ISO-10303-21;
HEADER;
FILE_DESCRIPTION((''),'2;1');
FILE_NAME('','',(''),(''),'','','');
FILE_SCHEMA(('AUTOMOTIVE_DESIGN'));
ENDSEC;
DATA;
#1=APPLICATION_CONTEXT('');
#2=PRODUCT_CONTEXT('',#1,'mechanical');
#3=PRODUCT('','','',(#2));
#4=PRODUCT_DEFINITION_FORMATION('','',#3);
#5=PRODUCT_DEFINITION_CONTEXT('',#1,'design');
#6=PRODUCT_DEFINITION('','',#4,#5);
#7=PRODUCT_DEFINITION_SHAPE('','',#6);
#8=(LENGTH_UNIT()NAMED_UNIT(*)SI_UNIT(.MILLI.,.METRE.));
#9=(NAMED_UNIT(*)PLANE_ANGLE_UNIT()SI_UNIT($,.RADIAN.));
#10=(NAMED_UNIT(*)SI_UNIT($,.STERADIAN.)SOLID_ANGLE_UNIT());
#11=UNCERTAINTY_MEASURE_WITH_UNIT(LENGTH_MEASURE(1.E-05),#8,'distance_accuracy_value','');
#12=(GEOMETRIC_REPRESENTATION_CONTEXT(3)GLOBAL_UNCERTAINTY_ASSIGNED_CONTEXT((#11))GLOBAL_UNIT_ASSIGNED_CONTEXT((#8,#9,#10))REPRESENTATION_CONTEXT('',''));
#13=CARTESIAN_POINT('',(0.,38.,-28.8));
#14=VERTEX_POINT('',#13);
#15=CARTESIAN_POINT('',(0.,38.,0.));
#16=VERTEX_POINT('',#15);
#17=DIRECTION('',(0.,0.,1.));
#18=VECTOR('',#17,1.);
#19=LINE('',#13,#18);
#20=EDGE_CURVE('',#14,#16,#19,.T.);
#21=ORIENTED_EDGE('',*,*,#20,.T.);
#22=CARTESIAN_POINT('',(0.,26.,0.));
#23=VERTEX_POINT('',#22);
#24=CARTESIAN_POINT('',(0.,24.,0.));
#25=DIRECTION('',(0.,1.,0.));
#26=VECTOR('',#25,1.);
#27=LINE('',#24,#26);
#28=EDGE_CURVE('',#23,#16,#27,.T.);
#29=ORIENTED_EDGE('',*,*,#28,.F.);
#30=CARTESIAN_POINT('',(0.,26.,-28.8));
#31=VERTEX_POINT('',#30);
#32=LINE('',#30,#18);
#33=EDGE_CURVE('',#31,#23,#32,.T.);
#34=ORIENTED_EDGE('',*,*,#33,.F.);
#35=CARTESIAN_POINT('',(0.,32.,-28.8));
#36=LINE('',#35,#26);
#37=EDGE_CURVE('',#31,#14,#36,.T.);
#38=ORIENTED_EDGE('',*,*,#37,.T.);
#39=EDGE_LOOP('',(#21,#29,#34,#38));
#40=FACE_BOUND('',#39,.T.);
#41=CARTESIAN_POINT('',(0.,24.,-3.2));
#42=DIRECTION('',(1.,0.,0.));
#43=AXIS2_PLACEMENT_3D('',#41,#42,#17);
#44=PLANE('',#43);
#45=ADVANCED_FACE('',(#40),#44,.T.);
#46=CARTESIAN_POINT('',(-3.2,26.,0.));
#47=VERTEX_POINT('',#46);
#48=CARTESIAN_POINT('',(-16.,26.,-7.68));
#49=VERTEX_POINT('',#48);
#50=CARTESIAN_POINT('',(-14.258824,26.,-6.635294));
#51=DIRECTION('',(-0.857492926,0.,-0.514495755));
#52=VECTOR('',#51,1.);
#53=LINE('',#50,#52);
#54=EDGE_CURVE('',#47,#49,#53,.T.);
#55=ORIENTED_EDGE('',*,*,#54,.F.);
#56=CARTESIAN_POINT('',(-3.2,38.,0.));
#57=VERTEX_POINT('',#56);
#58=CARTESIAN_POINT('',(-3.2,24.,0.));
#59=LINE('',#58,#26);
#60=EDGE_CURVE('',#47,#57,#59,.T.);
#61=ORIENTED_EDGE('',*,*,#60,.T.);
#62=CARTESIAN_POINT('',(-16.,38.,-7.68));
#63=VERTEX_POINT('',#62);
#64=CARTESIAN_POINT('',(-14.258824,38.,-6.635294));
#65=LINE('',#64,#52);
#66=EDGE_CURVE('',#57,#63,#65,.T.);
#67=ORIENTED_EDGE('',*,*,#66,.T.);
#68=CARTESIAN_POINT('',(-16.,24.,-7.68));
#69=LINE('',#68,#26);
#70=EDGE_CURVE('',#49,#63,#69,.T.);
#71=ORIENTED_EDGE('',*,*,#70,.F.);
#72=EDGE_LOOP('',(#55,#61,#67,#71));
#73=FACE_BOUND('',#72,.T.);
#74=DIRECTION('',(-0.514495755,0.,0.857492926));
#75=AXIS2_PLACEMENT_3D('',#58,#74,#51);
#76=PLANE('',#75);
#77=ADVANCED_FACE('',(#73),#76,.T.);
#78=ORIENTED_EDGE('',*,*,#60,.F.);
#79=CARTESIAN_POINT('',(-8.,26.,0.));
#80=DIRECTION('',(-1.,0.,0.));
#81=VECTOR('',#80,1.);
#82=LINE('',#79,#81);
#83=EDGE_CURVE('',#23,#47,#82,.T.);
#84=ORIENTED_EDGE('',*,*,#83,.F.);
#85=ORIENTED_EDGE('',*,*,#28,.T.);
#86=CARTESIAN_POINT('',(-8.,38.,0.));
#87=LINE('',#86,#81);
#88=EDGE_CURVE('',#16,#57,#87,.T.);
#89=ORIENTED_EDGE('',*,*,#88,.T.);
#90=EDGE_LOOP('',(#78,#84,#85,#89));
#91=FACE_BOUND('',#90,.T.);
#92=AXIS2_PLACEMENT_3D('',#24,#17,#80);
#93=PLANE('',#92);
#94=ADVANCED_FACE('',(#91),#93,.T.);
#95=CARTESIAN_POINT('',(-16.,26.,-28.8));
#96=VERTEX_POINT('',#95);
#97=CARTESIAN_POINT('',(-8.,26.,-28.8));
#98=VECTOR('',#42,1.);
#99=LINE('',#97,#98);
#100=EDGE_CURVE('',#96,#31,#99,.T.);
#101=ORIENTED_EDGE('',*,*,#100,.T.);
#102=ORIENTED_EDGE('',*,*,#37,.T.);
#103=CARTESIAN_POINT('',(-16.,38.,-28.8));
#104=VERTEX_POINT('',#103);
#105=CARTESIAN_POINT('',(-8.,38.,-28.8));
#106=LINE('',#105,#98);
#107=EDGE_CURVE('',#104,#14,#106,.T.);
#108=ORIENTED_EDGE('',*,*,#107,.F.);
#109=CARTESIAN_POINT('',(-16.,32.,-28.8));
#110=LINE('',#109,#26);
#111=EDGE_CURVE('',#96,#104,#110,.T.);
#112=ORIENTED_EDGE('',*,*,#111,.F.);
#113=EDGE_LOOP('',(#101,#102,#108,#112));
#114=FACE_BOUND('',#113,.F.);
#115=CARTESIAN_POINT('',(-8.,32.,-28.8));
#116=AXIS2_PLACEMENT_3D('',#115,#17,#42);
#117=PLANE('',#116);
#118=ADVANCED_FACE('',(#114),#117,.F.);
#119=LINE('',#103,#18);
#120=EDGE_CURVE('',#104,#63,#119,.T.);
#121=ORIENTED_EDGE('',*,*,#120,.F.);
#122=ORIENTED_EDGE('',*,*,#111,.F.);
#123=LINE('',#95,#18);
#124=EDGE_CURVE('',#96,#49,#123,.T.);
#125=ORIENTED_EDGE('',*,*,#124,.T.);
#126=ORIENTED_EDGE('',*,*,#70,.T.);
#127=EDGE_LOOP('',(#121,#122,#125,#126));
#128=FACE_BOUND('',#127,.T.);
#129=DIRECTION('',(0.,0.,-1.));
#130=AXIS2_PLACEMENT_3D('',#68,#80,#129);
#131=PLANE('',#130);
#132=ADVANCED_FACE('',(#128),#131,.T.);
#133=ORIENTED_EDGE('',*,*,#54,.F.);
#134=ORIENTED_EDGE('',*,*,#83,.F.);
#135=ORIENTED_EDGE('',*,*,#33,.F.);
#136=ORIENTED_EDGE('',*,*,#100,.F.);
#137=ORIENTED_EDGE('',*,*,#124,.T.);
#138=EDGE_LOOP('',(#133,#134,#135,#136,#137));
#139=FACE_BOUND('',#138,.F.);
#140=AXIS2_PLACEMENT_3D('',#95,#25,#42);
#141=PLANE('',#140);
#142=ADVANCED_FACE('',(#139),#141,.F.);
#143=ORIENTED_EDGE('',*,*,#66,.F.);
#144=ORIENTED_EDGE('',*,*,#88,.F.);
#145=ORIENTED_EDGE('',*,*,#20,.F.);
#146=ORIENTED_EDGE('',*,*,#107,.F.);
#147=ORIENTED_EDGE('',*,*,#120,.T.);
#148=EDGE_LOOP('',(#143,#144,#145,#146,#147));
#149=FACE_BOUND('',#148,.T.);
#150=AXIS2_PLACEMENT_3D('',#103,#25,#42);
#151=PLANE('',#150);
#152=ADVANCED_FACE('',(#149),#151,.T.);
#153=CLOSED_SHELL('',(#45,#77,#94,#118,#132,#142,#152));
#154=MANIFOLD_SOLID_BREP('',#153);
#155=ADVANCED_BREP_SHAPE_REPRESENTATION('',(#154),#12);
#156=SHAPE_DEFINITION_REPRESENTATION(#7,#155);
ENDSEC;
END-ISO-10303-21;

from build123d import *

# Parameters (mm, degrees)
SKETCH023_W     = 16
SKETCH023_H     = 16
PAD013_DEPTH    = 28.8
POCKET010_DEPTH = 16
POCKET047_DEPTH = 16
PAD140_DEPTH    = 16
SKETCH193_W     = 16
SKETCH193_H     = 2
POCKET075_DEPTH = 30


with BuildPart() as part:
    # Sketch023 (on Face56 of Binder009) → Pad013 (new body)
    with BuildSketch(Plane.XY.offset(-28.8)):
        with Locations((-8, 32)):
            Rectangle(SKETCH023_W, SKETCH023_H)
    extrude(amount=PAD013_DEPTH)

    # Sketch024 (on Face3 of Pad013) → Pocket010 (cut)
    with BuildSketch(Plane.XZ.offset(-24)):
        Polygon((-16, -9.6), (0, 0), (-16, 0), align=None)
    extrude(amount=-POCKET010_DEPTH, mode=Mode.SUBTRACT)

    # Sketch138 (on Face6 of Pocket010) → Pocket047 (cut)
    with BuildSketch(Plane.XZ.offset(-24)):
        Polygon((0, 0), (-3.2, 0), (-16, -7.68), (-16, -10.88), (-3.2, -3.2), (0, -3.2), align=None)
    extrude(amount=-POCKET047_DEPTH, mode=Mode.SUBTRACT)

    # Sketch138 (on Face6 of Pocket010) → Pad140 (join)
    with BuildSketch(Plane.XZ.offset(-24)):
        Polygon((0, 0), (-3.2, 0), (-16, -7.68), (-16, -10.88), (-3.2, -3.2), (0, -3.2), align=None)
    extrude(amount=-PAD140_DEPTH)

    # Sketch193 (on Face1 of Pad140) → Pocket075 (cut)
    with BuildSketch(Plane(origin=(0, 0, -28.8), x_dir=(1, 0, 0), z_dir=(0, 0, -1))):
        with Locations((-8, -25)):
            Rectangle(SKETCH193_W, SKETCH193_H)
        with Locations((-8, -39)):
            Rectangle(SKETCH193_W, SKETCH193_H)
    extrude(amount=-POCKET075_DEPTH, mode=Mode.SUBTRACT)


solid = part.part
